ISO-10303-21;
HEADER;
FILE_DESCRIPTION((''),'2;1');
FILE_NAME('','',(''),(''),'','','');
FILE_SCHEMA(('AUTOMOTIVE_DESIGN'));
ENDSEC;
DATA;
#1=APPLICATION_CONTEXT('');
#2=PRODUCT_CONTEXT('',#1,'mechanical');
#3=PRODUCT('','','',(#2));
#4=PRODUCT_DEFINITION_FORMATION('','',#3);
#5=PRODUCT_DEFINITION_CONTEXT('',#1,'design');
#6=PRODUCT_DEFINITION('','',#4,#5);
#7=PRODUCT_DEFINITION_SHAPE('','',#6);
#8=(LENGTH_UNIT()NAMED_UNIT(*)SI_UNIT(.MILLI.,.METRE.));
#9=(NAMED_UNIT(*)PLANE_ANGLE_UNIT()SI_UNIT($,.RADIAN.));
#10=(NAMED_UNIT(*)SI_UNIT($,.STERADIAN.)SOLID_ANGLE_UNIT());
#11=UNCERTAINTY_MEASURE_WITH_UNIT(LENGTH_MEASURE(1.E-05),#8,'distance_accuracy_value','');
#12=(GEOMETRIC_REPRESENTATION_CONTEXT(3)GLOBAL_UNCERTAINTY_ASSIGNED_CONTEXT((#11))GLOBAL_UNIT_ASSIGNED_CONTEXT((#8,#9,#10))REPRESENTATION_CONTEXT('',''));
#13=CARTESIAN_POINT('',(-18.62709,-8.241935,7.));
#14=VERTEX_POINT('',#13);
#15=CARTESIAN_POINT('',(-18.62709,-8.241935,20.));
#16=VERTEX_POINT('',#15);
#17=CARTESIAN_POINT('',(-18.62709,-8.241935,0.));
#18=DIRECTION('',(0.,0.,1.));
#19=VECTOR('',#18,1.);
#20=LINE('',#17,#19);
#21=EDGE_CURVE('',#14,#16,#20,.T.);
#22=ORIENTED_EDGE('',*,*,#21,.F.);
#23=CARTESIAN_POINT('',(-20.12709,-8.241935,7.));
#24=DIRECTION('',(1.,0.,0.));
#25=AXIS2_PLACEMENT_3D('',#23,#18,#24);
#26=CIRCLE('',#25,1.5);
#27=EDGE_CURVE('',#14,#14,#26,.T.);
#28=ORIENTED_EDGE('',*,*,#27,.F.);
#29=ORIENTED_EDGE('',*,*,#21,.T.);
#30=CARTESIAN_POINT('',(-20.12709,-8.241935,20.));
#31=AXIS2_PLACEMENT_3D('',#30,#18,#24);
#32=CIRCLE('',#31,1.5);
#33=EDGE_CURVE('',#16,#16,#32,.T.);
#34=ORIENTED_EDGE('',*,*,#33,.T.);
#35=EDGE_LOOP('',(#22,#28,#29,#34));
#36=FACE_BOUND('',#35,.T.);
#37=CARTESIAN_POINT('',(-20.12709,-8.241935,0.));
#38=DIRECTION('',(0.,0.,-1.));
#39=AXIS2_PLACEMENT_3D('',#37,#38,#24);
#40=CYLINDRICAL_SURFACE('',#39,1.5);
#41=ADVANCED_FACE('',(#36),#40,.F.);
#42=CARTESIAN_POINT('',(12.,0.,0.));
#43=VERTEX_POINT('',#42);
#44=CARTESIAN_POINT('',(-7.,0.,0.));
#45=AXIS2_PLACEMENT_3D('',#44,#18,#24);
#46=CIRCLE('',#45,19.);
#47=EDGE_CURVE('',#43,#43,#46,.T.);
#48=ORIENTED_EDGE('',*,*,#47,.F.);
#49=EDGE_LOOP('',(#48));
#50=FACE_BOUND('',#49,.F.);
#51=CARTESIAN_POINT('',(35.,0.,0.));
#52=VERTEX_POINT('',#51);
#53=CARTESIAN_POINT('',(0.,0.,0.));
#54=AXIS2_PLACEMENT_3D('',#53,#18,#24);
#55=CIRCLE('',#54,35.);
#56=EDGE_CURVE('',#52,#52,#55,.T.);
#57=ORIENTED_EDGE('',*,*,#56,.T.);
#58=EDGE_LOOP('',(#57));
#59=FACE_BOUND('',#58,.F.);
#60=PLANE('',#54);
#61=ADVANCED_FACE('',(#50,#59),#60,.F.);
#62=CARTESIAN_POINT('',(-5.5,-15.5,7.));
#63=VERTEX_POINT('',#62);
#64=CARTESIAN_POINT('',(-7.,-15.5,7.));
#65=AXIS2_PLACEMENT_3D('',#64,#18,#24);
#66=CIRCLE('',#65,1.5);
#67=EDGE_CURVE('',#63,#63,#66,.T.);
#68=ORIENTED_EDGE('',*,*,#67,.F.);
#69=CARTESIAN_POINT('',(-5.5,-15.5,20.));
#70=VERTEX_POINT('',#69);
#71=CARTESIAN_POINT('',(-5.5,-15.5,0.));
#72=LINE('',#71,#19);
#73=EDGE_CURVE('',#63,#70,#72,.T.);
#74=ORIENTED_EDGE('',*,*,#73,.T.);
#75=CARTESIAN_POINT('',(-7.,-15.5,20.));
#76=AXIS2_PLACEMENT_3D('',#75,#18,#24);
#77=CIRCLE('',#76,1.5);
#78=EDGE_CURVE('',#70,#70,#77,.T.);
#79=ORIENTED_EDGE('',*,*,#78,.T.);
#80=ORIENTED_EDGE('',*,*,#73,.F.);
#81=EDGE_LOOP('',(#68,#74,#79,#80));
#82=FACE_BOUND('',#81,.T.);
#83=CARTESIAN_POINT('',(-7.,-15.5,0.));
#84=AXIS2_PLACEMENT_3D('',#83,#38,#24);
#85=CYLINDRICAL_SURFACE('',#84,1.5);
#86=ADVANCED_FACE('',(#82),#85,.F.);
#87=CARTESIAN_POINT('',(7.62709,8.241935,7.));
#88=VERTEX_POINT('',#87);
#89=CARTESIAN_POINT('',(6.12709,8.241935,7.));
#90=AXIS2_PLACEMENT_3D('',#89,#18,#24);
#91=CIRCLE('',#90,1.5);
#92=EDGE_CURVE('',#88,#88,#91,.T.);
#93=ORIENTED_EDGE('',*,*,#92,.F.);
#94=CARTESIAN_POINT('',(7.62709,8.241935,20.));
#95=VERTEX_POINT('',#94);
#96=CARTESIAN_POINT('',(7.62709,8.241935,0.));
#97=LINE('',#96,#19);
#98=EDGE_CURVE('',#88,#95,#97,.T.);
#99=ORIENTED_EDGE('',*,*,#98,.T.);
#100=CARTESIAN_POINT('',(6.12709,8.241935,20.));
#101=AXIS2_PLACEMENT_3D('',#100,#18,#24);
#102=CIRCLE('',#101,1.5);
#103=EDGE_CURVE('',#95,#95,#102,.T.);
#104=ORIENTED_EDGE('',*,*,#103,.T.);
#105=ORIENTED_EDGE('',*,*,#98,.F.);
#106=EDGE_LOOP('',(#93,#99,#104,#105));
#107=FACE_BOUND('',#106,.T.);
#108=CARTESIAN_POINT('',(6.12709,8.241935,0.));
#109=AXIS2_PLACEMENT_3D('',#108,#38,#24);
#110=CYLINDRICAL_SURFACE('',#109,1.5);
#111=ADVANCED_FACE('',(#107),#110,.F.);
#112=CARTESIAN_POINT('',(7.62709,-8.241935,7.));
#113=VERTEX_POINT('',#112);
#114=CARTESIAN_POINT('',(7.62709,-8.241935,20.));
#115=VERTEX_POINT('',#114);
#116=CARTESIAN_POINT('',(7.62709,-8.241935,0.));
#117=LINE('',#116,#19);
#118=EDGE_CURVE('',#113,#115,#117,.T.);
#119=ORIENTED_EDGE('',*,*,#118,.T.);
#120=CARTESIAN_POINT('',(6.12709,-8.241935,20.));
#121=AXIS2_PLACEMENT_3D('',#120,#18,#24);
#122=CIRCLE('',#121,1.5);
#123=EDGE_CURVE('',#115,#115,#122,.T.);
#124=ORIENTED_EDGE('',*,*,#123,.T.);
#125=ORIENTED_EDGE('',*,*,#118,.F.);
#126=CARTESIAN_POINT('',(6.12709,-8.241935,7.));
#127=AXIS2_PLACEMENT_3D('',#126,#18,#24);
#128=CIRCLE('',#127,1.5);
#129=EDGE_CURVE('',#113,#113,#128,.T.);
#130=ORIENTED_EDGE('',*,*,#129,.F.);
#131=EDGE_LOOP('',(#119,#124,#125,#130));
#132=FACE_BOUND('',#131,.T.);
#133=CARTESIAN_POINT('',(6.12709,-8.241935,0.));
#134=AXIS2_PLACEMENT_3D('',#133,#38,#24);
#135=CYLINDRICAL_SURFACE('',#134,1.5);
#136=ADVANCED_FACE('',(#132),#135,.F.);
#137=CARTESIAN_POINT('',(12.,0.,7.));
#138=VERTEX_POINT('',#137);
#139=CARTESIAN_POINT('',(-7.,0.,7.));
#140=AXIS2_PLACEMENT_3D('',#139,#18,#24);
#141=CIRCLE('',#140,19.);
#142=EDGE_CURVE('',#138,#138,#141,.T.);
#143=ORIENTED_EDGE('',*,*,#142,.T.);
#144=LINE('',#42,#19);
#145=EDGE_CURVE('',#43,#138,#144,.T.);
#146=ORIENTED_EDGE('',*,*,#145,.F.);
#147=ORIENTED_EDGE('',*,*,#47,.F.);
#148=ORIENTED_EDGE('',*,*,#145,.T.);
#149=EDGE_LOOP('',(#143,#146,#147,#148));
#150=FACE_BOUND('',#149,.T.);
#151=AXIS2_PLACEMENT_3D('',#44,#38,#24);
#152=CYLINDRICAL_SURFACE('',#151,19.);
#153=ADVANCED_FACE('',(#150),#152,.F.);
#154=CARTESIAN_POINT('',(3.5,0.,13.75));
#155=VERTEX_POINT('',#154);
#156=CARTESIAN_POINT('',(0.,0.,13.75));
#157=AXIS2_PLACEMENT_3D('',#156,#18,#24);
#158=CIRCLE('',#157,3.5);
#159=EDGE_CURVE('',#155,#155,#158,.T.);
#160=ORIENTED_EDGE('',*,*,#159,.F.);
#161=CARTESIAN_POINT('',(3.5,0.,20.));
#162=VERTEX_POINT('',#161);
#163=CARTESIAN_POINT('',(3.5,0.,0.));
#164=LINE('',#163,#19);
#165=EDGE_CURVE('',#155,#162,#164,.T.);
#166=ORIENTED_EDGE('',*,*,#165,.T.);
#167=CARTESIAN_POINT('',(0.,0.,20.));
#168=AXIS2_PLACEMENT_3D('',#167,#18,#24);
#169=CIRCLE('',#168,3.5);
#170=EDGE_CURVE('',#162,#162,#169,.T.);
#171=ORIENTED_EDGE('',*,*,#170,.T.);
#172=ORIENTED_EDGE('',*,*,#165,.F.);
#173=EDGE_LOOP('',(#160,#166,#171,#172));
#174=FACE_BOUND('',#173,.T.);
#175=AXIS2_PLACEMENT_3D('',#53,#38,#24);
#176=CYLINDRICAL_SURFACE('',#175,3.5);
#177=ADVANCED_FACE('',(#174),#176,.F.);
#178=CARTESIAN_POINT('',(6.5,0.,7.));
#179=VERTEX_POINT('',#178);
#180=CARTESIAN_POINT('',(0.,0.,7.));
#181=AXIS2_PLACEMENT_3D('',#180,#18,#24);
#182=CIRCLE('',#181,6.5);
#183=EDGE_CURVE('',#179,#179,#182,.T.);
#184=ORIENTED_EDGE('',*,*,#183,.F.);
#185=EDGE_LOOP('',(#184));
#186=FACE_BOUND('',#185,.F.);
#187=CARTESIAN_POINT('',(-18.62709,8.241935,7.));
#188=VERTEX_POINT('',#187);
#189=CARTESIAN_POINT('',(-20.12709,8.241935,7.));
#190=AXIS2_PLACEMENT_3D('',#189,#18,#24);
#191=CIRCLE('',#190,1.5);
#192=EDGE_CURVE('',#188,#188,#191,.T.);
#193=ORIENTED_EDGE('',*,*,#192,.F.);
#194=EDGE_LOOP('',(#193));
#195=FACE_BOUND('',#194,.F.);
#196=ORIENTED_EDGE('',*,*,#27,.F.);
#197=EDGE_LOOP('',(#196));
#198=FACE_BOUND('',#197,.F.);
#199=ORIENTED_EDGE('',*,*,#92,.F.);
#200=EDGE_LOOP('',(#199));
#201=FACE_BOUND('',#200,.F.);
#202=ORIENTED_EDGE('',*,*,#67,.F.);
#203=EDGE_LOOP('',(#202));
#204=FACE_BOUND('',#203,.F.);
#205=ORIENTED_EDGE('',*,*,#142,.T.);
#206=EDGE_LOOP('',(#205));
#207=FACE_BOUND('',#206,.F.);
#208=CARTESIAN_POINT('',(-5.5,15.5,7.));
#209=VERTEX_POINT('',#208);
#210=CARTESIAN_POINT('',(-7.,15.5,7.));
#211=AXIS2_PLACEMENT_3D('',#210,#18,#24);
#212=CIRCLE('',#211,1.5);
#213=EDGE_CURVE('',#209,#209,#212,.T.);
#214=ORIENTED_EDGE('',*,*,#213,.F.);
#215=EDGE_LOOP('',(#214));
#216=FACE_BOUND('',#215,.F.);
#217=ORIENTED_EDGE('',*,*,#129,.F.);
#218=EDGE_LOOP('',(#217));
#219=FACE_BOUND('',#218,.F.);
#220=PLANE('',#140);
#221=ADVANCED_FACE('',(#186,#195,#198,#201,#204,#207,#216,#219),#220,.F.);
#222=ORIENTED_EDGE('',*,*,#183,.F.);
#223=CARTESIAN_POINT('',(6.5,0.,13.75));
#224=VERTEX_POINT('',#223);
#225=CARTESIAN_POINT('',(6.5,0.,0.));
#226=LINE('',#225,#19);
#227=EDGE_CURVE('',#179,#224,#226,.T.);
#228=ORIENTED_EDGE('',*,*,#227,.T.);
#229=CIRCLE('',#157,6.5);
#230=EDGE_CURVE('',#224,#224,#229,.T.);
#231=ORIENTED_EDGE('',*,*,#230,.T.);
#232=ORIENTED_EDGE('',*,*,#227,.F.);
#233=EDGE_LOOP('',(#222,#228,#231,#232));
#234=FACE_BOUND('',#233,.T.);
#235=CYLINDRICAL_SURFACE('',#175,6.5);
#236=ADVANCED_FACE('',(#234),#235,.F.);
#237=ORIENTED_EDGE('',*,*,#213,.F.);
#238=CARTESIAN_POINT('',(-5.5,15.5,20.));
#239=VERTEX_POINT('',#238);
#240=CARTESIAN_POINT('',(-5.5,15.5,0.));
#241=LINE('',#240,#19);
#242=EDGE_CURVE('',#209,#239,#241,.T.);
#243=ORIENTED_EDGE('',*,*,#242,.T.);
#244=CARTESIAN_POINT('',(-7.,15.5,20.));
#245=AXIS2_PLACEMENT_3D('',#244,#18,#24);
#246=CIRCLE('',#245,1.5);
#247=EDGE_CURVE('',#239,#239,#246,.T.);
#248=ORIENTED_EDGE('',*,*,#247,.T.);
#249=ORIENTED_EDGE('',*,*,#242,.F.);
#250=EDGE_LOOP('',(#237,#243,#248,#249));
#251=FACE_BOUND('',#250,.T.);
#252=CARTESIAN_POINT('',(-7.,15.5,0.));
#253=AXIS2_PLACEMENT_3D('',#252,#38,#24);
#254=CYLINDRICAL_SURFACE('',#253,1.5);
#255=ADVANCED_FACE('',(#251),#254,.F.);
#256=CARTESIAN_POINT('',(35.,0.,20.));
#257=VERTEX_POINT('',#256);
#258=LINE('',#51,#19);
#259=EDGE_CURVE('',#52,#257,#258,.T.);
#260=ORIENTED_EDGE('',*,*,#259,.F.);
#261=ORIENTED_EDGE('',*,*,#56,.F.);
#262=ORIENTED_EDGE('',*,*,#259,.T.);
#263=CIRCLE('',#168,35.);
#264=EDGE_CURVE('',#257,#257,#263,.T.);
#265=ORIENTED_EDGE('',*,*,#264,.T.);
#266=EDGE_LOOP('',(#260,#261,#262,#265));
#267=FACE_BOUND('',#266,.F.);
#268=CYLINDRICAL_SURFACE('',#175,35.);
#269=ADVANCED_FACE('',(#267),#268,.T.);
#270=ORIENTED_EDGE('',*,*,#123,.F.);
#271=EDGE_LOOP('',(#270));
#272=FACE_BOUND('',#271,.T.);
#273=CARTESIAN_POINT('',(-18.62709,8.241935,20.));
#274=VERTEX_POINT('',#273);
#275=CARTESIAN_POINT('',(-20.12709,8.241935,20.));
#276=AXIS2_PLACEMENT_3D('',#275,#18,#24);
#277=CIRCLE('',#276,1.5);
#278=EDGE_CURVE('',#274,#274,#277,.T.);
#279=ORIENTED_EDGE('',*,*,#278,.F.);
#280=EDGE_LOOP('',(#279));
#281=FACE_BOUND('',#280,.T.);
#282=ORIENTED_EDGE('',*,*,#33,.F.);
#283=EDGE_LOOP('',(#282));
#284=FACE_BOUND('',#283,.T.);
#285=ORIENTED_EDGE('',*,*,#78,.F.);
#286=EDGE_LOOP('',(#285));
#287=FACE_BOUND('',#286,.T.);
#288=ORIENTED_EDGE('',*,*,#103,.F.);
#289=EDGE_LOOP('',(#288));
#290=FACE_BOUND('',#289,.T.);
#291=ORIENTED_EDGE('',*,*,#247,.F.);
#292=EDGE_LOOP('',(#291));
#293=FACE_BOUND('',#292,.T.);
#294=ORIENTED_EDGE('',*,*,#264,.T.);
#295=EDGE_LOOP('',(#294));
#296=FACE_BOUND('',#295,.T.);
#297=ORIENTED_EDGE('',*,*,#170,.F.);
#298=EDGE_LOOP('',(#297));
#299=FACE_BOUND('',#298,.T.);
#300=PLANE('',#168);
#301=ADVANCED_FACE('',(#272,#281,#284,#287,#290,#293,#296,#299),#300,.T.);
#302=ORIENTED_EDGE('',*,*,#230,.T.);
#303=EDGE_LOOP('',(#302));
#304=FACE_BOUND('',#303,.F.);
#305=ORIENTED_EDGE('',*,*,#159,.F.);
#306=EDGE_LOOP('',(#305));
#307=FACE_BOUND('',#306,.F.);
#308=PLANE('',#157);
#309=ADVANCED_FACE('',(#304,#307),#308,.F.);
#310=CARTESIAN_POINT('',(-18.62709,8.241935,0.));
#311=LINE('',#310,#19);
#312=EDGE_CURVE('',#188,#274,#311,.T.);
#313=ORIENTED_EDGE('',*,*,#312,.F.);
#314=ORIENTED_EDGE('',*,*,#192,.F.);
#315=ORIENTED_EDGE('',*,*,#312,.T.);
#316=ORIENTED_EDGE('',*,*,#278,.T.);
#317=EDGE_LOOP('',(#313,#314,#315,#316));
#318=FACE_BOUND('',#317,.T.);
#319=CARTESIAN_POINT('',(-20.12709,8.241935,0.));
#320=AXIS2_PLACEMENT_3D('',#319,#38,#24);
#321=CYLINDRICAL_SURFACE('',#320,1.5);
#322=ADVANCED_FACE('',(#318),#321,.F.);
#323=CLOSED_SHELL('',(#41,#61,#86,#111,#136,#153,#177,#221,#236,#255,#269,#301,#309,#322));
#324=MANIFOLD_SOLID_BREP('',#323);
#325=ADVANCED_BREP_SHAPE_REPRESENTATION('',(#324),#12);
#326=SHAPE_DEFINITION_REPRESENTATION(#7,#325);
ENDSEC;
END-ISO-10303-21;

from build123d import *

# Parameters (mm, degrees)
F0_R     = 35
F0_R_2   = 19
F0_R_3   = 1.5
F0_R_4   = 6.5
F0_R_5   = 3.5
F1_DEPTH = 20
F2_DEPTH = 7
F3_DEPTH = 13.75


with BuildPart() as f1:
    # F0 (on Top) → F1 (new body)
    with BuildSketch(Plane.XY):
        Circle(F0_R)
        with Locations((-7, 0)):
            Circle(F0_R_2, mode=Mode.SUBTRACT)
        with Locations((-7, 0)):
            Circle(F0_R_2)
        with Locations((-20.1270902899, -8.2419354839)):
            Circle(F0_R_3, mode=Mode.SUBTRACT)
        with Locations((-7, -15.5)):
            Circle(F0_R_3, mode=Mode.SUBTRACT)
        with Locations((6.1270902899, -8.2419354839)):
            Circle(F0_R_3, mode=Mode.SUBTRACT)
        with Locations((-20.1270902899, 8.2419354839)):
            Circle(F0_R_3, mode=Mode.SUBTRACT)
        with Locations((-7, 15.5)):
            Circle(F0_R_3, mode=Mode.SUBTRACT)
        Circle(F0_R_4, mode=Mode.SUBTRACT)
        with Locations((6.1270902899, 8.2419354839)):
            Circle(F0_R_3, mode=Mode.SUBTRACT)
        Circle(F0_R_4)
        Circle(F0_R_5, mode=Mode.SUBTRACT)
    extrude(amount=F1_DEPTH)

    # F0 (on Top) → F2 (cut)
    with BuildSketch(Plane.XY):
        with Locations((-7, 0)):
            Circle(F0_R_2)
        with Locations((-20.1270902899, -8.2419354839)):
            Circle(F0_R_3, mode=Mode.SUBTRACT)
        with Locations((-7, -15.5)):
            Circle(F0_R_3, mode=Mode.SUBTRACT)
        with Locations((6.1270902899, -8.2419354839)):
            Circle(F0_R_3, mode=Mode.SUBTRACT)
        with Locations((-20.1270902899, 8.2419354839)):
            Circle(F0_R_3, mode=Mode.SUBTRACT)
        with Locations((-7, 15.5)):
            Circle(F0_R_3, mode=Mode.SUBTRACT)
        Circle(F0_R_4, mode=Mode.SUBTRACT)
        with Locations((6.1270902899, 8.2419354839)):
            Circle(F0_R_3, mode=Mode.SUBTRACT)
    extrude(amount=F2_DEPTH, mode=Mode.SUBTRACT)

    # F3 (cut): a face of the model
    f3_faces = [f1.faces().sort_by_distance(p)[0] for p in [
        (-6.3161522369, 0, 0),
    ]]
    extrude(f3_faces, amount=-F3_DEPTH, mode=Mode.SUBTRACT)


solid = f1.part
